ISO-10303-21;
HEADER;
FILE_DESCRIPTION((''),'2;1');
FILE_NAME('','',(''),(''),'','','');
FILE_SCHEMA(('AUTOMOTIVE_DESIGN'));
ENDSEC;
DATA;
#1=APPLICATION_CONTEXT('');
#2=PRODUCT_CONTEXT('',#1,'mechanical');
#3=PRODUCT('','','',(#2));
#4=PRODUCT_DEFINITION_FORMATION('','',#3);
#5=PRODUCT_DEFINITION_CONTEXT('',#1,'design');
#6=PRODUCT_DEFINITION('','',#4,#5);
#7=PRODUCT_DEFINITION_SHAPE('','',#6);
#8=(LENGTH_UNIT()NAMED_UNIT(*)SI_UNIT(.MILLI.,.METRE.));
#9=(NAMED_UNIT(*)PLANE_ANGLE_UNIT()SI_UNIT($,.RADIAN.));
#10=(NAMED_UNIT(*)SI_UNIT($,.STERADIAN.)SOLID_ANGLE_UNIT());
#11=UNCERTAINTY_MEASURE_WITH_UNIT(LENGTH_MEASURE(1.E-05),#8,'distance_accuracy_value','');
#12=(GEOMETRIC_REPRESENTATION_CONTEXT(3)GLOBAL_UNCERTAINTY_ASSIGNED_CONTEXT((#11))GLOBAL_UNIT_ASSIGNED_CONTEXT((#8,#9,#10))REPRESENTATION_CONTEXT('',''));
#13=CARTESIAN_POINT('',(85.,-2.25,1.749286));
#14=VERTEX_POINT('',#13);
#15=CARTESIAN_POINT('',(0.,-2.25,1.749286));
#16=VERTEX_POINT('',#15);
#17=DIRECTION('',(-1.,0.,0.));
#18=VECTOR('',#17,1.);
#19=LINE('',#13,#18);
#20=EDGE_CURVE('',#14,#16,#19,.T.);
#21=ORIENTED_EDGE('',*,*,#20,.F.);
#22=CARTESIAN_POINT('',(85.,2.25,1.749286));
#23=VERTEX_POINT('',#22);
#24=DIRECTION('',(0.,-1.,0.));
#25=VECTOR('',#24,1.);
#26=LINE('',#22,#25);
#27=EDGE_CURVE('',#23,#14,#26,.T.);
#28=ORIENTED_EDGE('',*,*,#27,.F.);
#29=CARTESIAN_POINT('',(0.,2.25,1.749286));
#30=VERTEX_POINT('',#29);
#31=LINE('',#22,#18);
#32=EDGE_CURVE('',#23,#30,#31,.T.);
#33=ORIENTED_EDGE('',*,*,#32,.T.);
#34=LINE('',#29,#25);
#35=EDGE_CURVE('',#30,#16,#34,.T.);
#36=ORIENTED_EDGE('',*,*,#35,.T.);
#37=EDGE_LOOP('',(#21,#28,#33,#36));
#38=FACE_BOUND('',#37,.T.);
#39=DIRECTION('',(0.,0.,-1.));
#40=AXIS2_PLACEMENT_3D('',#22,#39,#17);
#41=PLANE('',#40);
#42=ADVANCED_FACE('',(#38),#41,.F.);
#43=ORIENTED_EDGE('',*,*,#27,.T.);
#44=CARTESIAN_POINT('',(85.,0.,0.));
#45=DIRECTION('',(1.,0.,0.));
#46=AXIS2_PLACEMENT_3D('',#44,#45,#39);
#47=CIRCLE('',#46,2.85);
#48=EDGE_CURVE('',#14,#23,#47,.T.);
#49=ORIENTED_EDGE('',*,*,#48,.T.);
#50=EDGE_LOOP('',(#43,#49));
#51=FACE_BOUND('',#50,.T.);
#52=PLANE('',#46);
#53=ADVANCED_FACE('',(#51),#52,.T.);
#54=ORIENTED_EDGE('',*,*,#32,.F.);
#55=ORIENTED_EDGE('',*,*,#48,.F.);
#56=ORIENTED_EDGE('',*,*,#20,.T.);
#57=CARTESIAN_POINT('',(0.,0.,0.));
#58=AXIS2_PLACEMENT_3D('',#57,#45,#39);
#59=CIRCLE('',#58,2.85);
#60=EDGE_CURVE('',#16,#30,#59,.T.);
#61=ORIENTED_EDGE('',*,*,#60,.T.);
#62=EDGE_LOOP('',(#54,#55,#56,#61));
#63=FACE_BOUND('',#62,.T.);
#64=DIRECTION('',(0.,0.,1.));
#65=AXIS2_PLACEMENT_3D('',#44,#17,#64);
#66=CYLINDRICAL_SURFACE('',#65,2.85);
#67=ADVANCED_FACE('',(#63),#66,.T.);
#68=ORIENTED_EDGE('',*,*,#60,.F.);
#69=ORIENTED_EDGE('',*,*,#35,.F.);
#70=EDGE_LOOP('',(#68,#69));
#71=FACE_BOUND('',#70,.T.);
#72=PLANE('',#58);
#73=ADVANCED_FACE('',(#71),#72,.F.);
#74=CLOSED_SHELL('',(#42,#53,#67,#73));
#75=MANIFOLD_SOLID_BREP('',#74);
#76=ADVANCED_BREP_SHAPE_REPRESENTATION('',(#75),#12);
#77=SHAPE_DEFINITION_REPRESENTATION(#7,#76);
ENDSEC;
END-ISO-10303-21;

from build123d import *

# Parameters (mm, degrees)
BOSS_EXTRUDE1_DEPTH = 85


with BuildPart() as part:
    # Sketch1 → Boss-Extrude1 (new body)
    with BuildSketch(Plane(origin=(0, 0, 0), x_dir=(0, 0, -1), z_dir=(1, 0, 0))):
        with BuildLine():
            Line((-1.749285568, 2.25), (-1.749285568, -2.25))
            ThreePointArc((-1.749285568, -2.25), (2.85, 0), (-1.749285568, 2.25))
        make_face()
    extrude(amount=BOSS_EXTRUDE1_DEPTH)


solid = part.part
